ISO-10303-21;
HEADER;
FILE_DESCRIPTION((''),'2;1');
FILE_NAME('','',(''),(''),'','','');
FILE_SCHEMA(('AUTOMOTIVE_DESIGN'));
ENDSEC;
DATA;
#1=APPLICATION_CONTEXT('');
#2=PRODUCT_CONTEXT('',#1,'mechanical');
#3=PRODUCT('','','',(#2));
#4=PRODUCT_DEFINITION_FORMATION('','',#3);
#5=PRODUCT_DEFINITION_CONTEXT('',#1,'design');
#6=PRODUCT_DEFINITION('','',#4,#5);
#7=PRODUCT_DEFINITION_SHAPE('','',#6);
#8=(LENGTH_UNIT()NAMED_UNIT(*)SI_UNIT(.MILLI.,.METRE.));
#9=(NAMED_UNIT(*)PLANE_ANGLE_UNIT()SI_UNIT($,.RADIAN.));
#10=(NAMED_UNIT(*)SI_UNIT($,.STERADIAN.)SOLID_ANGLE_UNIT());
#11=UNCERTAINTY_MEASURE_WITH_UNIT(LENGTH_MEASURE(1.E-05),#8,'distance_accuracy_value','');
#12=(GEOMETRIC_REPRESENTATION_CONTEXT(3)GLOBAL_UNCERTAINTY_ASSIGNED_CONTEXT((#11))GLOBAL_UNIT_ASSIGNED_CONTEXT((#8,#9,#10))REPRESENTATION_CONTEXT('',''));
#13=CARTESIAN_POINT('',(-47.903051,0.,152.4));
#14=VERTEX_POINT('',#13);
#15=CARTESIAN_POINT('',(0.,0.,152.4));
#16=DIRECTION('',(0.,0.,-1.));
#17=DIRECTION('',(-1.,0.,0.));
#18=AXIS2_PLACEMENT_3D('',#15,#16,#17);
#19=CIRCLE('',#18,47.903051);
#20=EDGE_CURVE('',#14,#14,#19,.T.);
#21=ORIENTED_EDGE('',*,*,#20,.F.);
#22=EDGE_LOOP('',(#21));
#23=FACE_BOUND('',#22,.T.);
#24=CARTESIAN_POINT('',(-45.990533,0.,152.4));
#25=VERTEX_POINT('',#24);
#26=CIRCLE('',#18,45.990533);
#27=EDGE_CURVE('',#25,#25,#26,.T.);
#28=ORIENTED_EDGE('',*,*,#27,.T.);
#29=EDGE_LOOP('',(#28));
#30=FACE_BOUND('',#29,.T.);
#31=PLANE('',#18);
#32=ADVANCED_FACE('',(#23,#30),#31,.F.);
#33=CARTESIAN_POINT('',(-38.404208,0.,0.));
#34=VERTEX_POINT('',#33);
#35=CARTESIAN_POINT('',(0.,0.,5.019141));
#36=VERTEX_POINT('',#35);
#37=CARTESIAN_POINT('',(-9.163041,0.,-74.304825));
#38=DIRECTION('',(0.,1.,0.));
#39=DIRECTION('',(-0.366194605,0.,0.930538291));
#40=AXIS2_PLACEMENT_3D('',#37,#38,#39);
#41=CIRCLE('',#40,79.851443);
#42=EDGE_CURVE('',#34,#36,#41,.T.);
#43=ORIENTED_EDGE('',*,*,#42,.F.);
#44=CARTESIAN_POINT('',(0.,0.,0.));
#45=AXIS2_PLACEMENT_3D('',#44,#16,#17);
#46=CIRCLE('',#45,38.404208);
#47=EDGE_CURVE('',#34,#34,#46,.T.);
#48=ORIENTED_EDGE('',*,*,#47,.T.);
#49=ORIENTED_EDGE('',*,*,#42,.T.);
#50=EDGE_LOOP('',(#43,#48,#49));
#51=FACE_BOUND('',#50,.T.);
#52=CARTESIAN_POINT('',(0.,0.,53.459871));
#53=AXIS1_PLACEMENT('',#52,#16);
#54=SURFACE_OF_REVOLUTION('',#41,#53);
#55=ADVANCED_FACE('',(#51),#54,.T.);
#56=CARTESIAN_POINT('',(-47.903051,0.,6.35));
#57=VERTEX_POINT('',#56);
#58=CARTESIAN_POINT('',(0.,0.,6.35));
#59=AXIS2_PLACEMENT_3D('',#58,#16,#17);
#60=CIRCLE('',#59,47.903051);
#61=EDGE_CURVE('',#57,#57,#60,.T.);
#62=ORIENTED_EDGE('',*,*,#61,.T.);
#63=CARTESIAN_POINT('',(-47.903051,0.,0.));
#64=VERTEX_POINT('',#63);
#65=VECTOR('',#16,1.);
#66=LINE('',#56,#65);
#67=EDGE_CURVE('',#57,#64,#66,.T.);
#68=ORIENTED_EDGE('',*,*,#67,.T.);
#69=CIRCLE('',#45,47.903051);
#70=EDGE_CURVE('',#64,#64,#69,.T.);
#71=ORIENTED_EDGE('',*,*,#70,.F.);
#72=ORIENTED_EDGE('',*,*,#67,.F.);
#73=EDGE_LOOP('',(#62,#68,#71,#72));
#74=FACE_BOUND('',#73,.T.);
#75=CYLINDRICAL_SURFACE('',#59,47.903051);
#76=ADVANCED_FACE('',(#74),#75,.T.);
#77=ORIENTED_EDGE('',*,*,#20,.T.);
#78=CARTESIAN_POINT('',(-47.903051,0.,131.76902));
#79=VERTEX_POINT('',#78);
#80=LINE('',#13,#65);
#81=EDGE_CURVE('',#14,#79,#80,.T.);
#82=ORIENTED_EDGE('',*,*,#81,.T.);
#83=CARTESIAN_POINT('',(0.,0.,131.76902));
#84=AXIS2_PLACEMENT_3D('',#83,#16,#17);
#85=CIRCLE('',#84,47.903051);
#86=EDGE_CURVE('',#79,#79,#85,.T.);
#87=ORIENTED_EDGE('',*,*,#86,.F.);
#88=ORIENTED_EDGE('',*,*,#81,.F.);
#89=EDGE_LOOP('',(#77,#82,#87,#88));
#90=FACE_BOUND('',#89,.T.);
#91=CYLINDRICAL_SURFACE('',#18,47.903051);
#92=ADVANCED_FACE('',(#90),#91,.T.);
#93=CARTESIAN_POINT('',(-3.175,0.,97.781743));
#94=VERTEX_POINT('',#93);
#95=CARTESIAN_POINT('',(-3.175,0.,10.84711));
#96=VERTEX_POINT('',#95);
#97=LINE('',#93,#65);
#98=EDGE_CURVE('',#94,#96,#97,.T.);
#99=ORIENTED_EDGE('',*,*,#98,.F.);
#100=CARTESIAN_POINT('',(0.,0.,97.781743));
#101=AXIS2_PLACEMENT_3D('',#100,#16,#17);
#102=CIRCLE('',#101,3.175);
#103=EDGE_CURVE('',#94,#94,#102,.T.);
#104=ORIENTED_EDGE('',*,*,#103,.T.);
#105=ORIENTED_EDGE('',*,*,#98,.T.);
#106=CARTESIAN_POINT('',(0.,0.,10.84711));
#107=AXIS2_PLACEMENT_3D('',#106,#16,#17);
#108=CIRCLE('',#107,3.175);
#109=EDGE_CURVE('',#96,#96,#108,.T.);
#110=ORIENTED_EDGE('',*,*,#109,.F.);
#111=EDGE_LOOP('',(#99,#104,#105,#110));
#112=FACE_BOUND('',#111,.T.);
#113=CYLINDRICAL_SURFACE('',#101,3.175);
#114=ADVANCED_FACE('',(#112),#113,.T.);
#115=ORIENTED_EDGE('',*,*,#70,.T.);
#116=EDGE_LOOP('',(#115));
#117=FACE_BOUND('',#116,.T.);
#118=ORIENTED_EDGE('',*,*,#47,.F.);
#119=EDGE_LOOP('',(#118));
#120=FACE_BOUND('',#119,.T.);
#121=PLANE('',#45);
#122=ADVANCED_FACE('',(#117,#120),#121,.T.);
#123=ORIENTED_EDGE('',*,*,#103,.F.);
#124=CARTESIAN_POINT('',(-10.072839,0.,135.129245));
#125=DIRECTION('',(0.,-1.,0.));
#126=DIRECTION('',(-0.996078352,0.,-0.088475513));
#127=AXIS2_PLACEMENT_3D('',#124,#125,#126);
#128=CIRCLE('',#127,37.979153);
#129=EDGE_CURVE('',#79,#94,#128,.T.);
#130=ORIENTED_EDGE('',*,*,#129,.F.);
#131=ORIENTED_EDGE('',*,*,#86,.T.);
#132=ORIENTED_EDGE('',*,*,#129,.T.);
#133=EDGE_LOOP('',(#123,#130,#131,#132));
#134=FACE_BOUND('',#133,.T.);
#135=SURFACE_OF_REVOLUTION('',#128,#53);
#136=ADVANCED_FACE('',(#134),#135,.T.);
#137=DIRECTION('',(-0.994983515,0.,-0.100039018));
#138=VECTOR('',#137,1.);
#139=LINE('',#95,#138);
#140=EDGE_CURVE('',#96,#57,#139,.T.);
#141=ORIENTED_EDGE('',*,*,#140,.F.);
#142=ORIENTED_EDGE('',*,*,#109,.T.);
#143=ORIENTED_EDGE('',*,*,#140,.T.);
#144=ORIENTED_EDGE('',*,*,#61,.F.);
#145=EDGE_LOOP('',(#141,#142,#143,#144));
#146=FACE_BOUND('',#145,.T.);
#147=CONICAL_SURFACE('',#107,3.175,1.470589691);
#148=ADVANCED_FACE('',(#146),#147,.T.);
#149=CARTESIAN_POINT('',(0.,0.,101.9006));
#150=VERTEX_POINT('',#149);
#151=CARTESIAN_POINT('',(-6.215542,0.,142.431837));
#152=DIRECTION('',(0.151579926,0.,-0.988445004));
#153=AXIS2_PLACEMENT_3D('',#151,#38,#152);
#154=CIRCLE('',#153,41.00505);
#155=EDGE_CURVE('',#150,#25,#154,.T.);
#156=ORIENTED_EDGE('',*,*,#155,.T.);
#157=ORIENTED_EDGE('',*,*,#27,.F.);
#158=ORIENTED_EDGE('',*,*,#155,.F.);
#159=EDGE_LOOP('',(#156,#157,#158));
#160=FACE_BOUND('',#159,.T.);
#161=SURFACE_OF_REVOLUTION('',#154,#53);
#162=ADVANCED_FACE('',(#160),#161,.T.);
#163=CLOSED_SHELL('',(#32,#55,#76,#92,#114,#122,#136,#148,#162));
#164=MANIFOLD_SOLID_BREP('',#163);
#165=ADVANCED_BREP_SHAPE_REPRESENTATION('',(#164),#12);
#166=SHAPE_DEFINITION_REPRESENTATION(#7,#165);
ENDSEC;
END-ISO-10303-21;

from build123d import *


with BuildPart() as f1:
    # F0 (on Front) → F1 (revolve)
    with BuildSketch(Plane.XZ):
        with BuildLine():
            Line((-47.903051, 0), (-38.404208, 0))
            ThreePointArc((-38.404208, 0), (-19.511023, 4.873279), (0, 5.019141))
            Line((0, 5.019141), (0, 101.9006))
            ThreePointArc((0, 101.9006), (-36.532312, 114.821918), (-45.990533, 152.4))
            Line((-45.990533, 152.4), (-47.903051, 152.4))
            Line((-47.903051, 152.4), (-47.903051, 131.76902))
            ThreePointArc((-47.903051, 131.76902), (-33.050799, 104.889711), (-3.175, 97.781743))
            Line((-3.175, 97.781743), (-3.175, 10.84711))
            Line((-3.175, 10.84711), (-47.903051, 6.35))
            Line((-47.903051, 6.35), (-47.903051, 0))
        make_face()
    revolve(axis=Axis((0, 0, 53.459871), (0, 0, -1)))


solid = f1.part
